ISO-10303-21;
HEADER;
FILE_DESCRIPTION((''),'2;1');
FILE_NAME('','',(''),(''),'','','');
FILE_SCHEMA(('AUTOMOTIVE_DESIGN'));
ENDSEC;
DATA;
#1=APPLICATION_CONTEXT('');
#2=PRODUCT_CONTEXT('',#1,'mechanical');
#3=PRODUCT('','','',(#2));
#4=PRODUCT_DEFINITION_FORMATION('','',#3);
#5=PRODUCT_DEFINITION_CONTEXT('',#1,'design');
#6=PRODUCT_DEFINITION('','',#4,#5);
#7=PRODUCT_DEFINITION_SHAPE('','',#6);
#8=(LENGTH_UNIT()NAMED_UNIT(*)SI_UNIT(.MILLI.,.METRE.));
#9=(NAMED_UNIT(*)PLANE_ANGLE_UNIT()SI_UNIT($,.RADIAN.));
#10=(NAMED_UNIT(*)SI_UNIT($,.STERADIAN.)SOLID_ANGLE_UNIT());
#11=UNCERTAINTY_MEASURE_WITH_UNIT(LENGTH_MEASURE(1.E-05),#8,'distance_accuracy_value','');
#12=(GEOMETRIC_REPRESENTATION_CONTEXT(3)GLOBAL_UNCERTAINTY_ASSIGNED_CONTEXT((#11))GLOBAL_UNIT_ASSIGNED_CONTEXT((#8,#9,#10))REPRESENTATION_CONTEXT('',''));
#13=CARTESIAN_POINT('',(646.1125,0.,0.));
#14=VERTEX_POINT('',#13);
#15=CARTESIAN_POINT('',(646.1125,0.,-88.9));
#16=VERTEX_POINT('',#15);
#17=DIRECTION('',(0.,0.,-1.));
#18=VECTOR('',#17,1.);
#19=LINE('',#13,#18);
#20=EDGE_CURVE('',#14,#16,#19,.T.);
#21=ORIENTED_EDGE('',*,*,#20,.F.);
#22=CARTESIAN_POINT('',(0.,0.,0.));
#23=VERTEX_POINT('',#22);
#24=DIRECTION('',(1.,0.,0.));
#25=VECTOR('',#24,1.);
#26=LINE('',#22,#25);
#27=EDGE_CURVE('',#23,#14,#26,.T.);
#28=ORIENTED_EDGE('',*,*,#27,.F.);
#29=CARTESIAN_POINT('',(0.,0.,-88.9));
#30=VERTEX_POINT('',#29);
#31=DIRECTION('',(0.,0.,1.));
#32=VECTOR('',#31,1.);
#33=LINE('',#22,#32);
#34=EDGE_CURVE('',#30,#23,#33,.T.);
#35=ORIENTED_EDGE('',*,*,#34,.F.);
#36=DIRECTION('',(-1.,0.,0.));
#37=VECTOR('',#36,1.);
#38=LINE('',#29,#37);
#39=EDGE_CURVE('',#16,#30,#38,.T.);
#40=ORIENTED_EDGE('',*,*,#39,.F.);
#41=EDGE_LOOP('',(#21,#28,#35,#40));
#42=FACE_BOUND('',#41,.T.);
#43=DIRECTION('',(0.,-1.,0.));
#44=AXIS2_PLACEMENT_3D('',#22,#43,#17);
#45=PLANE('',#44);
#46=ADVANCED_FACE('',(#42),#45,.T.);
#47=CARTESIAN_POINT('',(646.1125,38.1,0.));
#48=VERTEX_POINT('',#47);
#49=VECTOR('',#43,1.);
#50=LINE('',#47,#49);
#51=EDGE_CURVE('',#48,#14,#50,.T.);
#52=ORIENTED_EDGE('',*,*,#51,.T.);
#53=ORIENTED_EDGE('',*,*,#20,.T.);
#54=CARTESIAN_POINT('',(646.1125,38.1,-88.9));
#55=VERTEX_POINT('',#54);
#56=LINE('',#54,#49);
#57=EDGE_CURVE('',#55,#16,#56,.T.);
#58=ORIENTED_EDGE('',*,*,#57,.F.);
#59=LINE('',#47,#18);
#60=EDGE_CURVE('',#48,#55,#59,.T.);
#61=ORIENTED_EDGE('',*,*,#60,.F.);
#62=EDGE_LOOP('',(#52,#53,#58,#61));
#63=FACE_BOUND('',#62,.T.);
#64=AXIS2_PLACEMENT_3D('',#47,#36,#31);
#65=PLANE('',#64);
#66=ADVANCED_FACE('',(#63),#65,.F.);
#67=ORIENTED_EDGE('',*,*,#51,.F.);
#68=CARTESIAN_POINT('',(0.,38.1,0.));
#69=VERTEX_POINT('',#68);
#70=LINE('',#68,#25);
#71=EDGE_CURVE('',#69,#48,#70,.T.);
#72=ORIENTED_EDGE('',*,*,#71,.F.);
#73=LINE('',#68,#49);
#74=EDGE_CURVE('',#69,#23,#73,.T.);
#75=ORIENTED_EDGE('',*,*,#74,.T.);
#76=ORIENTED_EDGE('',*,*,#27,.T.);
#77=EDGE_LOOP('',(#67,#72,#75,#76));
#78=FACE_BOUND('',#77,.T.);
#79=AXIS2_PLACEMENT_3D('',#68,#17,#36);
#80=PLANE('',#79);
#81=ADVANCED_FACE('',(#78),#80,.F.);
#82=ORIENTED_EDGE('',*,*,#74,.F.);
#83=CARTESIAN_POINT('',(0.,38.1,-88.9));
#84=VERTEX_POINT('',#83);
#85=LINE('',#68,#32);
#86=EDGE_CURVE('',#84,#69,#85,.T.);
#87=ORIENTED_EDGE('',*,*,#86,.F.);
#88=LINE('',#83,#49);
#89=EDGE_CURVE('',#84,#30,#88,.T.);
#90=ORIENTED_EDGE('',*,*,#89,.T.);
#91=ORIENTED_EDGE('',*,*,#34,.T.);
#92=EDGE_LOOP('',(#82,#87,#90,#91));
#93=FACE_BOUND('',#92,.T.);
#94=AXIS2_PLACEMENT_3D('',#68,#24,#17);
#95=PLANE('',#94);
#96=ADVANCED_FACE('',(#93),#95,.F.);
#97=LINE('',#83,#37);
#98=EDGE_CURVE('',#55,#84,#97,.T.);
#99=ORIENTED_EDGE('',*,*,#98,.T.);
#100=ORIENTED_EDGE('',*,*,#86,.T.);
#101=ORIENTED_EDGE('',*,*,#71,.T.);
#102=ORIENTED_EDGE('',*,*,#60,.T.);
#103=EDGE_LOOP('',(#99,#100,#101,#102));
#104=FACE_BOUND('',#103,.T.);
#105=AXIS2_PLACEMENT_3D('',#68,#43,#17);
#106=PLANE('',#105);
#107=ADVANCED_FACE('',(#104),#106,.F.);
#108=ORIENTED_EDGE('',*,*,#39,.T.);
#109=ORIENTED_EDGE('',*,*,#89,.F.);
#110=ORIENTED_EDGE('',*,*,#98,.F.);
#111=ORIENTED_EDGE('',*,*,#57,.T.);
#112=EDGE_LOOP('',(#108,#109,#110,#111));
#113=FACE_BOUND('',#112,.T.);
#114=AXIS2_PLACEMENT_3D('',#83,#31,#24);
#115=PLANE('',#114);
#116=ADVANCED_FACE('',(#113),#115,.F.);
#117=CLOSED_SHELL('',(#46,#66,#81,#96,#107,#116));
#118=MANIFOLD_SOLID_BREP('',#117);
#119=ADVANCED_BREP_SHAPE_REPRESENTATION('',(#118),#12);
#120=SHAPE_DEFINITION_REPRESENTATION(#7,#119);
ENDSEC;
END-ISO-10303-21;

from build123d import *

# Parameters (mm, degrees)
SKETCH1_W           = 646.1125
SKETCH1_H           = 88.9
BOSS_EXTRUDE1_DEPTH = 38.1


with BuildPart() as part:
    # Sketch1 → Boss-Extrude1 (new body)
    with BuildSketch(Plane(origin=(0, 0, 0), x_dir=(1, 0, 0), z_dir=(0, 1, 0))):
        with Locations((323.05625, 44.45)):
            Rectangle(SKETCH1_W, SKETCH1_H)
    extrude(amount=BOSS_EXTRUDE1_DEPTH)


solid = part.part
